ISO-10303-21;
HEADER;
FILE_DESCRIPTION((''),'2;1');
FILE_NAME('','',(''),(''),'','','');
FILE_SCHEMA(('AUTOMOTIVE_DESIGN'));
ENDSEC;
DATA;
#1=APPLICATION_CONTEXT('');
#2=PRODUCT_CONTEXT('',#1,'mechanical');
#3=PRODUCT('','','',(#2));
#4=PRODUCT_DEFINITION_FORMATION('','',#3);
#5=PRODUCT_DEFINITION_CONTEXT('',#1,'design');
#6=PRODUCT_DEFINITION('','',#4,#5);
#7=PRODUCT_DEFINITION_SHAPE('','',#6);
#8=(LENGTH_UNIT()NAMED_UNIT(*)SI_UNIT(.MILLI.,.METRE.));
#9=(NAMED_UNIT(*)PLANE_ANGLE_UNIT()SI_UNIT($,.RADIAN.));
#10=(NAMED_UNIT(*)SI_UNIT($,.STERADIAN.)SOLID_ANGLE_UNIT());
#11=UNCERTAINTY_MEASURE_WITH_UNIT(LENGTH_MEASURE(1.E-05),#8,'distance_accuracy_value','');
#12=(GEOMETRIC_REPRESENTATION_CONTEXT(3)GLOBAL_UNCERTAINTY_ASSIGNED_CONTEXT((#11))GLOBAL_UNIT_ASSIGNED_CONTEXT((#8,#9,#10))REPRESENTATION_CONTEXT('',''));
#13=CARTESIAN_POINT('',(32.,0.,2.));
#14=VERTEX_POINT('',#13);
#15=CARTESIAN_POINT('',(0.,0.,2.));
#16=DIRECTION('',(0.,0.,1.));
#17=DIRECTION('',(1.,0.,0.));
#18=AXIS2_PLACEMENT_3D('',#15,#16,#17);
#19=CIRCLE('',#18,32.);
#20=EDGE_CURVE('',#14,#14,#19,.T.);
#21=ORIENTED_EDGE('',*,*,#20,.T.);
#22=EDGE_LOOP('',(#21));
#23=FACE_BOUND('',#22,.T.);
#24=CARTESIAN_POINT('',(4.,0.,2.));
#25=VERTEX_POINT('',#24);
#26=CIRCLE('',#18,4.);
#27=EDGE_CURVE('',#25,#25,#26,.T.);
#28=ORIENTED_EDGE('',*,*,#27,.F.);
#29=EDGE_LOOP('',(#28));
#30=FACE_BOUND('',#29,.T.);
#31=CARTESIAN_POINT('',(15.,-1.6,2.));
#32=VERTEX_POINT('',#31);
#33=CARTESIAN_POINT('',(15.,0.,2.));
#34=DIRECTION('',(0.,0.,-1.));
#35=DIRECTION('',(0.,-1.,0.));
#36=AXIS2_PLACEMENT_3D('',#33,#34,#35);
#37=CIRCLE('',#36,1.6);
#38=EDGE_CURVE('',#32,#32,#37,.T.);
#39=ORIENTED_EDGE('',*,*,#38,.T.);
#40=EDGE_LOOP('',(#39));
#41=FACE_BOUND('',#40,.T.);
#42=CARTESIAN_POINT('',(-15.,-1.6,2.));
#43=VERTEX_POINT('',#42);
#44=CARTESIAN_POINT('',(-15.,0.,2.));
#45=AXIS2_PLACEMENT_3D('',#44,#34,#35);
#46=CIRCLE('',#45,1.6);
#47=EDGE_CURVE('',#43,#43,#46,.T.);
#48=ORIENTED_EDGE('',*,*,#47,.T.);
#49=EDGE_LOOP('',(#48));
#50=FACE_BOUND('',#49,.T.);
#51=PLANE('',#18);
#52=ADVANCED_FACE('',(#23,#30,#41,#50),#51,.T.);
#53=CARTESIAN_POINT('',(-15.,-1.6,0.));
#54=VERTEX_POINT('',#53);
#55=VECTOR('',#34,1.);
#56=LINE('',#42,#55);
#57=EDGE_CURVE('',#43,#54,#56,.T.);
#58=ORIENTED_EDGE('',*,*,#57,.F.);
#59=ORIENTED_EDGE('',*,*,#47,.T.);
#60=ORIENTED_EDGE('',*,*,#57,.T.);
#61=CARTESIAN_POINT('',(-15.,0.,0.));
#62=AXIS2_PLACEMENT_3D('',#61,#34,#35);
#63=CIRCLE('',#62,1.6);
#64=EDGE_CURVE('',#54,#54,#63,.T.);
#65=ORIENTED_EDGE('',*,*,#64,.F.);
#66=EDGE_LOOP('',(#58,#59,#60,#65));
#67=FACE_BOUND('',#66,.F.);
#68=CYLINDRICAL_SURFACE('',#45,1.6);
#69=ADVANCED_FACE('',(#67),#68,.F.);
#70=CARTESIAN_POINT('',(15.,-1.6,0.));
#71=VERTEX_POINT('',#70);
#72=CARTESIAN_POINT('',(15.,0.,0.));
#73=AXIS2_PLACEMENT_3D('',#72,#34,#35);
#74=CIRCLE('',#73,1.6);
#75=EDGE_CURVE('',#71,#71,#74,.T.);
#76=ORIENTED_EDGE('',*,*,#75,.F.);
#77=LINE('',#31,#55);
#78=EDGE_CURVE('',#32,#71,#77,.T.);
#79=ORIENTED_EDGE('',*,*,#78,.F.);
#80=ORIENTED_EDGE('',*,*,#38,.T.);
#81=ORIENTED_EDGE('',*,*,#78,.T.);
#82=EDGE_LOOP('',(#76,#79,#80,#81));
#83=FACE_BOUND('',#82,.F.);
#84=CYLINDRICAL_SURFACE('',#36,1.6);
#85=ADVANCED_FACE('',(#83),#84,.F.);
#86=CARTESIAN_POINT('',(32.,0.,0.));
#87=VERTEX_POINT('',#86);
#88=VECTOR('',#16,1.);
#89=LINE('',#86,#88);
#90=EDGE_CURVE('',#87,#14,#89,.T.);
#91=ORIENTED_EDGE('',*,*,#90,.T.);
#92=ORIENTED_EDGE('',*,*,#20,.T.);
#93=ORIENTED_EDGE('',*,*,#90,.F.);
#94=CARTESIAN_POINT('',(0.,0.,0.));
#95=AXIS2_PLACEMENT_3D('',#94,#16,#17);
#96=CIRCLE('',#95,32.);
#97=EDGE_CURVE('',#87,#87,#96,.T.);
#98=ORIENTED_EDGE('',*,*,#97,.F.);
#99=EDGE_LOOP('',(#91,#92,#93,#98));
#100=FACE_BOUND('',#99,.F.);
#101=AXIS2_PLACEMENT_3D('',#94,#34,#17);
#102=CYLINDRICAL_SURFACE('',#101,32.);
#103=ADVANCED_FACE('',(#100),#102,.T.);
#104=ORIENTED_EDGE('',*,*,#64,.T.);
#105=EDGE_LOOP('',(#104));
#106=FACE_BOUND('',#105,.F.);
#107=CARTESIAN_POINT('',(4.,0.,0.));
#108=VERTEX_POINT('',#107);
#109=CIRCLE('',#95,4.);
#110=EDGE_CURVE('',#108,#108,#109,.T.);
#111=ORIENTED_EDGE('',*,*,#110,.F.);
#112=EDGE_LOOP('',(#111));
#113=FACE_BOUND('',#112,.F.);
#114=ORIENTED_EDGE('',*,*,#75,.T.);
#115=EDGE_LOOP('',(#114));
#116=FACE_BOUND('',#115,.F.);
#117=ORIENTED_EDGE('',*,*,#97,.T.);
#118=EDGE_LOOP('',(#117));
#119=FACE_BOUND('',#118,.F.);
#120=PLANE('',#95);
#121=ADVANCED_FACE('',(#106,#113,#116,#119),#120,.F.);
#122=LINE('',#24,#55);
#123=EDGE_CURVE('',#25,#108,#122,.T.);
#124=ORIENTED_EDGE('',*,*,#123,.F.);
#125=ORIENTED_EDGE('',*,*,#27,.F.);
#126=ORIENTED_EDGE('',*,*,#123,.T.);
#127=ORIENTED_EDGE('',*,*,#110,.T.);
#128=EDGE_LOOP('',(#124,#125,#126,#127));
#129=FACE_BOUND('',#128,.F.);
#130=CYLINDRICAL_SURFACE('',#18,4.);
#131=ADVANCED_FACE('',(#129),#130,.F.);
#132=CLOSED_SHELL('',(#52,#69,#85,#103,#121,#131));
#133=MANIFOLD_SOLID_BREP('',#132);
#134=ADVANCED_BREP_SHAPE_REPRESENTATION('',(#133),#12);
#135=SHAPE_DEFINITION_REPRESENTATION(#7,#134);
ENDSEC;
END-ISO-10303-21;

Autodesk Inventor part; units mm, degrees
ref_plane "YZ Plane" through (0, 0, 0) normal (1, 0, 0) x (0, 1, 0)
ref_plane "XZ Plane" through (0, 0, 0) normal (0, 1, 0) x (-1, 0, 0)
ref_plane "XY Plane" through (0, 0, 0) normal (0, 0, 1) x (1, 0, 0)
sketch "スケッチ1" plane through (0, 0, 0) normal (0, 0, 1) x (1, 0, 0)
  circle A0 centre (0, 0) radius 32
  dimension "d0" = 64
extrude "押し出し1" add sketch "スケッチ1" along normal blind 2
sketch "スケッチ2" plane through (0, 0, 2) normal (0, 0, 1) x (1, 0, 0)
  circle A0 centre (-15, 0) radius 1.6
  circle A1 centre (15, 0) radius 1.6
  point P0 (0, 0)
  dimension "d3" = 3.2
  dimension "d4" = 3.2
  dimension "d5" = 15
  dimension "d6" = 15
hole "穴1" at (-15, 0, 2) at (15, 0, 2) direction (0, 0, -1) diameter 3.2 depth 2
sketch "スケッチ3" plane through (0, 0, 2) normal (0, 0, 1) x (1, 0, 0)
  circle A0 centre (0, 0) radius 4
  dimension "d14" = 8
extrude "押し出し2" cut sketch "スケッチ3" against normal blind 2
equation "\"BendRadius\" = Thickness"
equation "\"BendReliefWidth\" = Thickness"
equation "\"BendReliefDepth\" = 0.5 * Thickness"
equation "\"CornerReliefSize\" = 4 * Thickness"
equation "\"MinimumRemnant\" = 2 * Thickness"
equation "\"TransitionRadius\" = BendRadius"
equation "\"JacobiRadiusSize\" = BendRadius"
equation "\"GapSize\" = Thickness"
equation "\"Thickness\" = 0.5"
properties part number "nhk34"
